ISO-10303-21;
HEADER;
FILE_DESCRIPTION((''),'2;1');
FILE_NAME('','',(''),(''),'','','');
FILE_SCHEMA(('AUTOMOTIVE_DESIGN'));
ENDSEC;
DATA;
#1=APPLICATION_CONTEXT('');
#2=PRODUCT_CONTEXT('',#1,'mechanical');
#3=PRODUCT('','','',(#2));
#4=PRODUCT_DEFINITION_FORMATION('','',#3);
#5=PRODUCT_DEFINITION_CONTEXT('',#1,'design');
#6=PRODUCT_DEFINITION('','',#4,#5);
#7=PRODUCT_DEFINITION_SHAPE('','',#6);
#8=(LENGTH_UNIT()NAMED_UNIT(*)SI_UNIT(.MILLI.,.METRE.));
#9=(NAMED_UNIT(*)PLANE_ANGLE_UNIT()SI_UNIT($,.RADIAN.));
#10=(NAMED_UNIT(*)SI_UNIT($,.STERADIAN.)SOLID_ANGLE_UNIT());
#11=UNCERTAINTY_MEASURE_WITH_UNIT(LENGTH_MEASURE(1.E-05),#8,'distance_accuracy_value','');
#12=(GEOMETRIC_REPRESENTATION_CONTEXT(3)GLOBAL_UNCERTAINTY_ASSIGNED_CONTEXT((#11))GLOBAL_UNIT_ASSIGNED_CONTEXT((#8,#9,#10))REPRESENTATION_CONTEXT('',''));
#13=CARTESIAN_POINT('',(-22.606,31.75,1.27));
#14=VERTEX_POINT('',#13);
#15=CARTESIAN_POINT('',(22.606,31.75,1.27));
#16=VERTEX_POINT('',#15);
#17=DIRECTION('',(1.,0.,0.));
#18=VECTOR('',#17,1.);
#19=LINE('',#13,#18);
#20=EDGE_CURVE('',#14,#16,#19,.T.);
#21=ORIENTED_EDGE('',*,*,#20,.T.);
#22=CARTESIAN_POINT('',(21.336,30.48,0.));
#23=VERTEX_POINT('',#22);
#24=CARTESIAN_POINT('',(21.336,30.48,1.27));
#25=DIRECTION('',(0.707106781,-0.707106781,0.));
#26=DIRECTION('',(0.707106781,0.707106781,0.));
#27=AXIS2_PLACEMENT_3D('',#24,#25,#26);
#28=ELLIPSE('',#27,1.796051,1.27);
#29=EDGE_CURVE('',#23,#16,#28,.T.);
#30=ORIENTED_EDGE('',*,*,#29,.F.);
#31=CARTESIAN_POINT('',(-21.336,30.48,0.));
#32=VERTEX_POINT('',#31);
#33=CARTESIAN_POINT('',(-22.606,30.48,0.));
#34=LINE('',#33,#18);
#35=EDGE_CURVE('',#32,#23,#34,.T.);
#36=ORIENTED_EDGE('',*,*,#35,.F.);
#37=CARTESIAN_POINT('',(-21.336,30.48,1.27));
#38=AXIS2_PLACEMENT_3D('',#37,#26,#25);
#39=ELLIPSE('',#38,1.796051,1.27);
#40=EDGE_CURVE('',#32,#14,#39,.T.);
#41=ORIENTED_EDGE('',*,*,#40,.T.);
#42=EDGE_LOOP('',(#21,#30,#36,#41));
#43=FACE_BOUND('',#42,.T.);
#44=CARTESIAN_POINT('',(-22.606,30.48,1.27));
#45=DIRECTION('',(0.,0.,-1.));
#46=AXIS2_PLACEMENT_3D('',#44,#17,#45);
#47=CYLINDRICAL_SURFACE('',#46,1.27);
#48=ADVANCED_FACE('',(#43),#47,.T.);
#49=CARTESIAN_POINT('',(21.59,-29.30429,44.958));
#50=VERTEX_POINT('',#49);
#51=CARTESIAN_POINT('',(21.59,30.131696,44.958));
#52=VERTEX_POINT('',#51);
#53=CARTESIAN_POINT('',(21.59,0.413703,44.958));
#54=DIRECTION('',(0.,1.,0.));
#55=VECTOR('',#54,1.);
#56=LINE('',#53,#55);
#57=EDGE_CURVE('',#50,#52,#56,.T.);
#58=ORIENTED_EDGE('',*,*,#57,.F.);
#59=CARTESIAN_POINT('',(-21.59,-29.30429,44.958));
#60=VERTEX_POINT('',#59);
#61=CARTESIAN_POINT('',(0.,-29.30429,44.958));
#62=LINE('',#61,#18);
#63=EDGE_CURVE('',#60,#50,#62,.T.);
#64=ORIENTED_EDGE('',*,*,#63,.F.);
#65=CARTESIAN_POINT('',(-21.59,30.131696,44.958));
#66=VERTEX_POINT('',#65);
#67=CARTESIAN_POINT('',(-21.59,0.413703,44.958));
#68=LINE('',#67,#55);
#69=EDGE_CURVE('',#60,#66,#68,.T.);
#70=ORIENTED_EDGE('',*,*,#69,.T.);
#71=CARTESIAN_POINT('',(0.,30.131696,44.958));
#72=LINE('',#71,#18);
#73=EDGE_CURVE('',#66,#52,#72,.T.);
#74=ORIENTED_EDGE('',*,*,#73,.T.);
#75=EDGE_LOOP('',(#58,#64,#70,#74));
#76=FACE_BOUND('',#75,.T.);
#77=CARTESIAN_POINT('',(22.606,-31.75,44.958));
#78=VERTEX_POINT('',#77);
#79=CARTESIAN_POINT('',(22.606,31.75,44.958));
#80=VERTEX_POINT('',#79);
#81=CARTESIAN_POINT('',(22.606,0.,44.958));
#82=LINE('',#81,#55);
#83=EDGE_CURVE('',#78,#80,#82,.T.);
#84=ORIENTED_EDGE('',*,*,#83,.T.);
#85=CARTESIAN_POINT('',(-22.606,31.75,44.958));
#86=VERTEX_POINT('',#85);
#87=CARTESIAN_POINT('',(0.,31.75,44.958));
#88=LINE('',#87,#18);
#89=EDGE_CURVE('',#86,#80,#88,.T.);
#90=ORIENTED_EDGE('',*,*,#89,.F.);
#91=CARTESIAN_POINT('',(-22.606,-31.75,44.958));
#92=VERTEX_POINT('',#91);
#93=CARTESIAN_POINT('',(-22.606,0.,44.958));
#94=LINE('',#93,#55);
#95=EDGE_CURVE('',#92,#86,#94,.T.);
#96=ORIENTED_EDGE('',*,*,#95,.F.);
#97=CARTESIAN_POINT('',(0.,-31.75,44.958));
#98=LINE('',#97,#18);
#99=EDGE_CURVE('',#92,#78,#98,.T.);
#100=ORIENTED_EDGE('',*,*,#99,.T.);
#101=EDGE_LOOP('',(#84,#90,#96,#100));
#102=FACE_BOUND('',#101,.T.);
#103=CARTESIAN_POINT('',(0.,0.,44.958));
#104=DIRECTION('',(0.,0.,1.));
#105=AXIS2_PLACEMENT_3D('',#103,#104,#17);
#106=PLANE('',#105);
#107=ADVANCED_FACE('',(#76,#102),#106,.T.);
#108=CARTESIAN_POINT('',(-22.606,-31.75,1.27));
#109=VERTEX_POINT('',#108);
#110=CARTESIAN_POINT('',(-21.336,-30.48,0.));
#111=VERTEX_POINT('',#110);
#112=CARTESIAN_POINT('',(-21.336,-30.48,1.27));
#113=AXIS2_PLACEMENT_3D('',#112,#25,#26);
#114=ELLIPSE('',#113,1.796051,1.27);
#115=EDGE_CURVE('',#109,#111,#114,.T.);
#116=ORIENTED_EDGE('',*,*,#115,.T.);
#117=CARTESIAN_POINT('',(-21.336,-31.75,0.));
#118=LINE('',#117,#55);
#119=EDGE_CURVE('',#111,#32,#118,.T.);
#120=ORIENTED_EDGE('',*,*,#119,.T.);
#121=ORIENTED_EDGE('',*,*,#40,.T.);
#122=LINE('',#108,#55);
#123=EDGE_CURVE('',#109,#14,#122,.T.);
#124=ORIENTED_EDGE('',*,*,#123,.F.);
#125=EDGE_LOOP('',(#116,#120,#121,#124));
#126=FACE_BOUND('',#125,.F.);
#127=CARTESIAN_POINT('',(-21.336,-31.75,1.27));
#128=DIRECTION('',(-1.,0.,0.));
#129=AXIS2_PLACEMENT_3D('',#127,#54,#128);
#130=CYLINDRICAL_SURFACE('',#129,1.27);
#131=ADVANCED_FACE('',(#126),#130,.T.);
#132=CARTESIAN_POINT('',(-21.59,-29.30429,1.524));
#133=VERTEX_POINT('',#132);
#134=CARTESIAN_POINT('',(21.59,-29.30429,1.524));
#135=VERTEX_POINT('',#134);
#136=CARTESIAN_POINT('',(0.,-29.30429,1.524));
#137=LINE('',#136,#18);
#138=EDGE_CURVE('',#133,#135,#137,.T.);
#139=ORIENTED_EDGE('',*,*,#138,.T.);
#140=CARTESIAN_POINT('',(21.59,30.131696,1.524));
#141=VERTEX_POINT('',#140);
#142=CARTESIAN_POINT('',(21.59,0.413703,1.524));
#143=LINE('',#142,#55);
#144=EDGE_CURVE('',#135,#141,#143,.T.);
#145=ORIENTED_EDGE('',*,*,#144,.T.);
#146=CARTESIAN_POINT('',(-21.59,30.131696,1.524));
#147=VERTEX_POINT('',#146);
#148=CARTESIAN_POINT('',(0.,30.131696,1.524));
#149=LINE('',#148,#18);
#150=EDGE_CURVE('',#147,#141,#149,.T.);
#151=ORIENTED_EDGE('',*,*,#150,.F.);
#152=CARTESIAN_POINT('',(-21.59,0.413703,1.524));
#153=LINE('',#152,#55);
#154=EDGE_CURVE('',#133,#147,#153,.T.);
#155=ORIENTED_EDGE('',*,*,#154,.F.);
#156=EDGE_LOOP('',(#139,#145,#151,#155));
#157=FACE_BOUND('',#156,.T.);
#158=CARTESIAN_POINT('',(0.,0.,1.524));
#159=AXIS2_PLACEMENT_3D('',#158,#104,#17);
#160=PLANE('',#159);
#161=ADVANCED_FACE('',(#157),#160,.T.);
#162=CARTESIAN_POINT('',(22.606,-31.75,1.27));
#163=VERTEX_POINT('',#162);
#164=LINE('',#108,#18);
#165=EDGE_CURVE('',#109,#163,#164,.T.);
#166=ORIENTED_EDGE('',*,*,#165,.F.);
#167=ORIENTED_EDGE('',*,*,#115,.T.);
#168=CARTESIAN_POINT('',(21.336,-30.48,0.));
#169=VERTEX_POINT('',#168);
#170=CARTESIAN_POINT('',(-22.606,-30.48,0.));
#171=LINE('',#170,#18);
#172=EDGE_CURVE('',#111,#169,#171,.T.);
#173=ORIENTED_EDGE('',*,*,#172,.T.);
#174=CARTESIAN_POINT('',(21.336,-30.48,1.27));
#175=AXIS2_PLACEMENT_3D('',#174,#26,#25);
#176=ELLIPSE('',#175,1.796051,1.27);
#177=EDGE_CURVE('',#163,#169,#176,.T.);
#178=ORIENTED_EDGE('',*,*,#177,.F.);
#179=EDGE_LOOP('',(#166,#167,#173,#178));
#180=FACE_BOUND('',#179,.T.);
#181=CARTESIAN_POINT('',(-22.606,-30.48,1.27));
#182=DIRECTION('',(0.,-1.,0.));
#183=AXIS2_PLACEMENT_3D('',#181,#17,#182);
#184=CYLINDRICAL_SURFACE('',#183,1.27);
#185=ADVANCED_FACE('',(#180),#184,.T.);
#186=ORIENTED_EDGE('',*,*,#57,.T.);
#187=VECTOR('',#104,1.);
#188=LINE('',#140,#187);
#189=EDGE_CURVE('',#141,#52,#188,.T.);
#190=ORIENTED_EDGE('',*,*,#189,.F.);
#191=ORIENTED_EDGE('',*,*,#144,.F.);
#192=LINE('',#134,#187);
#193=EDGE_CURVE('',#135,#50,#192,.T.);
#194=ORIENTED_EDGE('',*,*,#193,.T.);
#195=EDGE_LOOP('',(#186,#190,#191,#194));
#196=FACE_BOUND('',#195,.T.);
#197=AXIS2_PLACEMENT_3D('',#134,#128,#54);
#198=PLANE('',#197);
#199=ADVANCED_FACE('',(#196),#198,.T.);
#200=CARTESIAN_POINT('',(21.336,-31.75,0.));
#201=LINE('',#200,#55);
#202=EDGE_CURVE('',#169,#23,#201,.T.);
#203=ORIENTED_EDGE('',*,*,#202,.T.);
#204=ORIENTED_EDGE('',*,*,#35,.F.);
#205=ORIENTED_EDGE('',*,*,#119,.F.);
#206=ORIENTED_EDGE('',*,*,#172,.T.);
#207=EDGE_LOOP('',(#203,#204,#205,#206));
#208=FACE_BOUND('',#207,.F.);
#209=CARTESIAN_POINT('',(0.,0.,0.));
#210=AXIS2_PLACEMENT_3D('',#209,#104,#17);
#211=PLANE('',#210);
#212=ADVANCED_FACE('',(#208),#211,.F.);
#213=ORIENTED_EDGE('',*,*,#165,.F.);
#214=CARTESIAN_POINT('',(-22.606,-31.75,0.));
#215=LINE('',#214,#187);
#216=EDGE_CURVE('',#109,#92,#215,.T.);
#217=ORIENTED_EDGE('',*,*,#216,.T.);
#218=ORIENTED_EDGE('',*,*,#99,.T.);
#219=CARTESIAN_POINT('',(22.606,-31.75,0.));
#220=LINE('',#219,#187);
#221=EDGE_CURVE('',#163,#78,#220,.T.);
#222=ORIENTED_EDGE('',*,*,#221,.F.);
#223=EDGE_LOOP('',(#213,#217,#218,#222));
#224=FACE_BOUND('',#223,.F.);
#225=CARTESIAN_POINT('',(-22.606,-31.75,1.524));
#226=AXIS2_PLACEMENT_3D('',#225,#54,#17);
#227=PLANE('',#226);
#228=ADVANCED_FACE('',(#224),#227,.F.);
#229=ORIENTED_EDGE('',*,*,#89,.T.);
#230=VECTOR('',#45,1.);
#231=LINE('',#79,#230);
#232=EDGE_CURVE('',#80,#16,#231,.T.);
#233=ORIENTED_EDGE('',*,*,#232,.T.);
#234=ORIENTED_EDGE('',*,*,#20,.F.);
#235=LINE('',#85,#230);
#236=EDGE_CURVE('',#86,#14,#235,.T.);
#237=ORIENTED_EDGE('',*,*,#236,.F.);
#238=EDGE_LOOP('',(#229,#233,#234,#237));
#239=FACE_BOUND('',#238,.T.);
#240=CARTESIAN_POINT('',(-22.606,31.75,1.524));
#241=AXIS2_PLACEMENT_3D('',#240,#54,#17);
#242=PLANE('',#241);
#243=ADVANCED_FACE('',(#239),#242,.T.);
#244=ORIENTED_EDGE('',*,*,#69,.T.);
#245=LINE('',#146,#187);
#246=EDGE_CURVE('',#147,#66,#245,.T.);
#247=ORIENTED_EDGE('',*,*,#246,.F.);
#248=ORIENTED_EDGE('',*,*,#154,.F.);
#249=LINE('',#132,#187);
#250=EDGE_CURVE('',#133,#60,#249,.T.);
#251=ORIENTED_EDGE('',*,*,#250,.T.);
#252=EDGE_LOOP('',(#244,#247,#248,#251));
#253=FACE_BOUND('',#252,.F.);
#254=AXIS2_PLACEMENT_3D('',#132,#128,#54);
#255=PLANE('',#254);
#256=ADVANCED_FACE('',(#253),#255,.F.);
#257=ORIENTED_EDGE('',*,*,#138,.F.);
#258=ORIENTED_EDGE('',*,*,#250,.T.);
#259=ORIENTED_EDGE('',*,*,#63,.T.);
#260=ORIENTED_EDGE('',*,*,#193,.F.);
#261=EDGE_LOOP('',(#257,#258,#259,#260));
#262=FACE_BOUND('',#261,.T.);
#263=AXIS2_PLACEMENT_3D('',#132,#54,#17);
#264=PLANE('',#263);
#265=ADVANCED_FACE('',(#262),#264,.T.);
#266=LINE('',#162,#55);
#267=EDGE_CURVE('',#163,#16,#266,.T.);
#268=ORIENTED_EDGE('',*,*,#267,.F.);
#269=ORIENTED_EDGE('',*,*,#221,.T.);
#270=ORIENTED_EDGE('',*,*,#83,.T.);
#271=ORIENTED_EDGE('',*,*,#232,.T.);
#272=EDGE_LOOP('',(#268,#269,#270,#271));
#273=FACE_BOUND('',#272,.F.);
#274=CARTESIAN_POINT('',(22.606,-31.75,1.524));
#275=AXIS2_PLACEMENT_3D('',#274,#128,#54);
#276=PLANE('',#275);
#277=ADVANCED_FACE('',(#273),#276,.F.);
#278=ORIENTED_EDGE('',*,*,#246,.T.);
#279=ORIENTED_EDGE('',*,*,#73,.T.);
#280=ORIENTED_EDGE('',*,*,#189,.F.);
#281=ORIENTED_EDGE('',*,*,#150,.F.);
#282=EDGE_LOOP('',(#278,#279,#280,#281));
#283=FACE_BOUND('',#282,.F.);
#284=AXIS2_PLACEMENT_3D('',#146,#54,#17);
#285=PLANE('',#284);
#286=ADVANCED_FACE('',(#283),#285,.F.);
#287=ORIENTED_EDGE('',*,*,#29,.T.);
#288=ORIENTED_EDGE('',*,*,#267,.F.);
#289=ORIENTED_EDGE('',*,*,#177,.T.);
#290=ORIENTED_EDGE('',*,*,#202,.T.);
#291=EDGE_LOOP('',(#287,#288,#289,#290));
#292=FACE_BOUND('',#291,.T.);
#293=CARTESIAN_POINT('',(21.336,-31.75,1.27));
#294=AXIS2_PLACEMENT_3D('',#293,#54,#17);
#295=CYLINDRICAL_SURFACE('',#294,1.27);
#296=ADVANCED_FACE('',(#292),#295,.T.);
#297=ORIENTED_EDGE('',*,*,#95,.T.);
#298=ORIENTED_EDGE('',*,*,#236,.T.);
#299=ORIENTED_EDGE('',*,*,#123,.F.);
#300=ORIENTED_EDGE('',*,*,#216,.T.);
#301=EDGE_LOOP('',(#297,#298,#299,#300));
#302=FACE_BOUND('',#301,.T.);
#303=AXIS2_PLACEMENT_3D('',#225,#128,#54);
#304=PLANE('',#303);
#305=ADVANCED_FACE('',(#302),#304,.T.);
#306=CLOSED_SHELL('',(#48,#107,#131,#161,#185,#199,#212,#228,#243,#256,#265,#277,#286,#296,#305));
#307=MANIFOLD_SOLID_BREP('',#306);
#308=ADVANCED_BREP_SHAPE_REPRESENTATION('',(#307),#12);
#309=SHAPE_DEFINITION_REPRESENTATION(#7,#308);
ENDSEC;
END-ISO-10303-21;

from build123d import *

# Parameters (mm, degrees)
F0_W     = 45.212
F0_H     = 63.5
F1_DEPTH = 1.524
F2_W     = 45.212
F2_H     = 63.5
F2_W_2   = 43.18
F2_H_2   = 59.435986
F3_DEPTH = 43.434
F4_R     = 1.27


with BuildPart() as f1:
    # F0 (on Top) → F1 (new body)
    with BuildSketch(Plane.XY):
        Rectangle(F0_W, F0_H)
    extrude(amount=F1_DEPTH)

    # F2 (on face) → F3 (join)
    with BuildSketch(Plane.XY.offset(1.524)):
        Rectangle(F2_W, F2_H)
        with Locations((0, 0.413703)):
            Rectangle(F2_W_2, F2_H_2, mode=Mode.SUBTRACT)
    extrude(amount=F3_DEPTH)

    # F4
    f4_edges = [f1.edges().sort_by_distance(p)[0] for p in [
        (0, 31.75, 0),
        (-22.606, 0, 0),
        (0, -31.75, 0),
        (22.606, 0, 0),
    ]]
    fillet(f4_edges, radius=F4_R)


solid = f1.part
